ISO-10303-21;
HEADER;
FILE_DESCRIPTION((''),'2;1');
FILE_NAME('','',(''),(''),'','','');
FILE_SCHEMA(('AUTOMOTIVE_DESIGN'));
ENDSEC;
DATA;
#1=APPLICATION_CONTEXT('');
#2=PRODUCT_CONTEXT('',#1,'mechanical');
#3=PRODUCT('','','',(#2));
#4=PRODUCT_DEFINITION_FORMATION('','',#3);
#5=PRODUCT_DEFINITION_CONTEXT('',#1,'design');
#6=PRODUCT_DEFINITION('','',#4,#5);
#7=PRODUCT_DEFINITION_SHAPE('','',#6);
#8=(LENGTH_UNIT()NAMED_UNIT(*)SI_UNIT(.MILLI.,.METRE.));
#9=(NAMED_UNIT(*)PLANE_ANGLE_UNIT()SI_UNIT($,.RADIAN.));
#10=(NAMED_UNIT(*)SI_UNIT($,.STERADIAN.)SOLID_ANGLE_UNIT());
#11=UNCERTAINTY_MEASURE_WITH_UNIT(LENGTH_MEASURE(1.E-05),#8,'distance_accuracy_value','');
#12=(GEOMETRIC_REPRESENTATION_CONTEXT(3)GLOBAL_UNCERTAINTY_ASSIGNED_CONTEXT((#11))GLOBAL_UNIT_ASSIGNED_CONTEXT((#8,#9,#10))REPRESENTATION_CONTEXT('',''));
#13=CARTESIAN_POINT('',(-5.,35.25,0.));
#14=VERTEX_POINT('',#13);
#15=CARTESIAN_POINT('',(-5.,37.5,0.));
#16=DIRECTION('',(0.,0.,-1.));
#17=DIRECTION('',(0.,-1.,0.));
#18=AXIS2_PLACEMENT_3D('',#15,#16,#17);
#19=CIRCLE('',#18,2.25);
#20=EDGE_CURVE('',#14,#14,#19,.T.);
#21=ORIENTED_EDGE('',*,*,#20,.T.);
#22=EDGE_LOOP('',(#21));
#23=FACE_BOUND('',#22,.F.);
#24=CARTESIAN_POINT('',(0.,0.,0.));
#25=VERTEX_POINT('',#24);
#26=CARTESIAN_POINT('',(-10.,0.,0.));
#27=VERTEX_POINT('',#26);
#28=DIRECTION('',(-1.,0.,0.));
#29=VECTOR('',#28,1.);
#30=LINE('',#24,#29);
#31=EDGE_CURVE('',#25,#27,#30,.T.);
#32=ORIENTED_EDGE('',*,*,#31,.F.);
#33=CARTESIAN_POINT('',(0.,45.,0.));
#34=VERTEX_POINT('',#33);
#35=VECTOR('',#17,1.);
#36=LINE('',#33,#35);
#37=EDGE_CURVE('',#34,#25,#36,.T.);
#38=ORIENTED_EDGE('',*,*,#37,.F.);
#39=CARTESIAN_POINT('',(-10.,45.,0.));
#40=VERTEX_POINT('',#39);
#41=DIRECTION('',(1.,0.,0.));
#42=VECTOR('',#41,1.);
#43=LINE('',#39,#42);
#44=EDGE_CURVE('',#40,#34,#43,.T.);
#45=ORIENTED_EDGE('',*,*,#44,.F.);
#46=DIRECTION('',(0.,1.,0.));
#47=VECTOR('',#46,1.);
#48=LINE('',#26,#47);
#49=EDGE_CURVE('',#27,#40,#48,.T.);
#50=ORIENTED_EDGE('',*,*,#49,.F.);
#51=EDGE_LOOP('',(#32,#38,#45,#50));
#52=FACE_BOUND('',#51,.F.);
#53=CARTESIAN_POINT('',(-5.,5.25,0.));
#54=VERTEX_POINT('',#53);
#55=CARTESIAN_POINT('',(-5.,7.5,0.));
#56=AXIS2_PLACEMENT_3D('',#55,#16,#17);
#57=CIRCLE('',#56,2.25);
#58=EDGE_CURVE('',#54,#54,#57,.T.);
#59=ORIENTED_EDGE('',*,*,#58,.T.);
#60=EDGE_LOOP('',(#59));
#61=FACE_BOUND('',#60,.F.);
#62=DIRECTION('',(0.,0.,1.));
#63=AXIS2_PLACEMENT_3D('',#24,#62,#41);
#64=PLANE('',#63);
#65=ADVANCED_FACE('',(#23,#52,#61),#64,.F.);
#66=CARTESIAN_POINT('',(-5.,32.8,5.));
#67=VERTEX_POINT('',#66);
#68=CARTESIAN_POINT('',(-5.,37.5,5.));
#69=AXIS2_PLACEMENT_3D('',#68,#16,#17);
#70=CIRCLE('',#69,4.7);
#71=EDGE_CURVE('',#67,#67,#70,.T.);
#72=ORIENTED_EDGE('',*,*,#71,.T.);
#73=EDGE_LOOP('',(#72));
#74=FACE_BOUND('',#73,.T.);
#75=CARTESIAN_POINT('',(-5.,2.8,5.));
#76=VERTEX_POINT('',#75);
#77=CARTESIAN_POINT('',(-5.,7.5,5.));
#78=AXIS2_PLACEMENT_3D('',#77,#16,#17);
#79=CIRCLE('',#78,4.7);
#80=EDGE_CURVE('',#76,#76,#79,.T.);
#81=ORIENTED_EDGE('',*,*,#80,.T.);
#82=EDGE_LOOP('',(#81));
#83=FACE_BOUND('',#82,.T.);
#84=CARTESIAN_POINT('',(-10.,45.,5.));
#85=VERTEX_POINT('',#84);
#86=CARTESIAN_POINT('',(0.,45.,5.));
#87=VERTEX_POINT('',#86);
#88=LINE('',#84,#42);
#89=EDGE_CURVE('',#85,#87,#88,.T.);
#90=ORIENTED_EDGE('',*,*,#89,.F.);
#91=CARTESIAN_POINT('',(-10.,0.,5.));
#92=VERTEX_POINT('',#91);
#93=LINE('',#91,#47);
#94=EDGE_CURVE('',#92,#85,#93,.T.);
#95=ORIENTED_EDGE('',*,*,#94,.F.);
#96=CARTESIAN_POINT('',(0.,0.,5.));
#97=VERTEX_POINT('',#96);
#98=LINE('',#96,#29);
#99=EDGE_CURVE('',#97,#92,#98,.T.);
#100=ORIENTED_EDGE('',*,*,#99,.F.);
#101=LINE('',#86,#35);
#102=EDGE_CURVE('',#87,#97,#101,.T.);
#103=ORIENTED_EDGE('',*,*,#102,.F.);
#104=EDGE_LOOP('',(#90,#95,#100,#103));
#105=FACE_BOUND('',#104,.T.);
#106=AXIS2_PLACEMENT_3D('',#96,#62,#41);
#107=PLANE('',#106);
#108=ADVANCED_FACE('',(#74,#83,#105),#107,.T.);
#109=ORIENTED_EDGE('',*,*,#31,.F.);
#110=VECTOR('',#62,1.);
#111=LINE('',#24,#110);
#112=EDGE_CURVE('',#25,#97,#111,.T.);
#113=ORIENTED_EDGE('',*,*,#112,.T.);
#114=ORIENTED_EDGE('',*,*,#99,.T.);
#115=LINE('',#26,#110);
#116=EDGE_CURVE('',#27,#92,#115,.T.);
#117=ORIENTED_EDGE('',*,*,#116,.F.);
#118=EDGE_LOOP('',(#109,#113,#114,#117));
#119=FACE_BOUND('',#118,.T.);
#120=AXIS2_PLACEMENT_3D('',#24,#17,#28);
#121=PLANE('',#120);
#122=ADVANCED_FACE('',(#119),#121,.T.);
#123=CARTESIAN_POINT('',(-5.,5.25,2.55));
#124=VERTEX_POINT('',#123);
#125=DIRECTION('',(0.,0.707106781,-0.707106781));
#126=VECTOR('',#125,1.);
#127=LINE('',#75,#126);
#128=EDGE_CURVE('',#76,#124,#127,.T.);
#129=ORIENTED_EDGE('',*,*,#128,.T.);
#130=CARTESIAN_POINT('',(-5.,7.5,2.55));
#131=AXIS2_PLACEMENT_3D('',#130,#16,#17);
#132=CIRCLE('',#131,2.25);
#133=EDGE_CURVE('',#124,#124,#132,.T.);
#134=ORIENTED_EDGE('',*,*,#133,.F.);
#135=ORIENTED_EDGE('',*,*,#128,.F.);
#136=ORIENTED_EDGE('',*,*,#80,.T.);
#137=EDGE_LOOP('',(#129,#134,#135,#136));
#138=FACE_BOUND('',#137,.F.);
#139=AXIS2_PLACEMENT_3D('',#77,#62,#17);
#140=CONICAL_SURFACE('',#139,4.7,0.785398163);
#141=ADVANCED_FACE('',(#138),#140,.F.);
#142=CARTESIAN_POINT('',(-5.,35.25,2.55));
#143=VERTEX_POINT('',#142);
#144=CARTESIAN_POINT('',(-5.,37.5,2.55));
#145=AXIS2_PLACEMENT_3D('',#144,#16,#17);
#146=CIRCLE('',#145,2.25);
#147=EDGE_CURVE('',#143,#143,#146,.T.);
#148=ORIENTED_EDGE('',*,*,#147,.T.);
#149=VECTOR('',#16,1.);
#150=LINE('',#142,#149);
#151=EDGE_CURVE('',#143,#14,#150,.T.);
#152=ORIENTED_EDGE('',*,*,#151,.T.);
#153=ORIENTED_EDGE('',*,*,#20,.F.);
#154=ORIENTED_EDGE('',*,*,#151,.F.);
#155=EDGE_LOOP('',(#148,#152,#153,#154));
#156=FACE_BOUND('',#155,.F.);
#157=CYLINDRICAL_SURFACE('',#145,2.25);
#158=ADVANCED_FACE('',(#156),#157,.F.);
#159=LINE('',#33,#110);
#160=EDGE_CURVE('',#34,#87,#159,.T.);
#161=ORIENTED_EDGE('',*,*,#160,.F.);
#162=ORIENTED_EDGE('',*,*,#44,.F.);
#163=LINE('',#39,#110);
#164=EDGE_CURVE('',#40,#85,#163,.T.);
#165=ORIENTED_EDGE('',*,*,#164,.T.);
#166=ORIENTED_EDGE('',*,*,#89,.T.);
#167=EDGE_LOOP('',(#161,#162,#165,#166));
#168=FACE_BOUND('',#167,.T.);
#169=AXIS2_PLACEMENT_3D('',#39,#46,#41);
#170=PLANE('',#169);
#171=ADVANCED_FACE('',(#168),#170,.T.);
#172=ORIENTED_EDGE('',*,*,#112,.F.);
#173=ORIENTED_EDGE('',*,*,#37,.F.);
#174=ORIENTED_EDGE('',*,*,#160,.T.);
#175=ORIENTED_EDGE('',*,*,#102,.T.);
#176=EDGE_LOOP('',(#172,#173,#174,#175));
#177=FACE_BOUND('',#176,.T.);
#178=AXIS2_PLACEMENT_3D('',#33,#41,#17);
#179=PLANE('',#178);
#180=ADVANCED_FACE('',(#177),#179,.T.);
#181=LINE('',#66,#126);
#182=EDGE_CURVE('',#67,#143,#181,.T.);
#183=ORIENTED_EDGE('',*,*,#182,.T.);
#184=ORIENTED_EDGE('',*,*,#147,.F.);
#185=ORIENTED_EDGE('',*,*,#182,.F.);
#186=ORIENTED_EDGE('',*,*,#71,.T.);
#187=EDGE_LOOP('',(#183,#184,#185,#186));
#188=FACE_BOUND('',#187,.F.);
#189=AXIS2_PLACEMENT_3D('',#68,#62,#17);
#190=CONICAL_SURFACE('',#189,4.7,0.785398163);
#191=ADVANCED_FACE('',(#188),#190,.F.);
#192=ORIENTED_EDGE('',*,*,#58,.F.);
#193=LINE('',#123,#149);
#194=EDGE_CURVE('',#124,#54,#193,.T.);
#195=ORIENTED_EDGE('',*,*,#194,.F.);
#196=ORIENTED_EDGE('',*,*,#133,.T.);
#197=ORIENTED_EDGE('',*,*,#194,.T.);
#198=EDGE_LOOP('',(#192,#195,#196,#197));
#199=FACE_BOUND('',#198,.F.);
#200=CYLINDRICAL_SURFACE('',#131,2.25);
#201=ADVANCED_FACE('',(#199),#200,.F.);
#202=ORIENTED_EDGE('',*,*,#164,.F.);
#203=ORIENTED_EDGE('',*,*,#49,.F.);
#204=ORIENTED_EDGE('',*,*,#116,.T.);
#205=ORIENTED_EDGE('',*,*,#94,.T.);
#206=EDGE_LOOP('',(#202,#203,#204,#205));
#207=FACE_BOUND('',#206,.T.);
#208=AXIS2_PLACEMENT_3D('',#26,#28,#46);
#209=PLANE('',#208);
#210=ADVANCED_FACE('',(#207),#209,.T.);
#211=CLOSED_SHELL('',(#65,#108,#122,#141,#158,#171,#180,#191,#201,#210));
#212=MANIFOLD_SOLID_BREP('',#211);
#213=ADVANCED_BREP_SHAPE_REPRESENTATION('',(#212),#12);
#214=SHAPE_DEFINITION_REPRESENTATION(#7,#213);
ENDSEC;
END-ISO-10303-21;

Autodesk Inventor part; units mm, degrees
ref_plane "YZ Plane" through (0, 0, 0) normal (1, 0, 0) x (0, 1, 0)
ref_plane "XZ Plane" through (0, 0, 0) normal (0, 1, 0) x (-1, 0, 0)
ref_plane "XY Plane" through (0, 0, 0) normal (0, 0, 1) x (1, 0, 0)
sketch "Sketch1" plane through (0, 0, 0) normal (0, 0, 1) x (1, 0, 0)
  line L0 (0, 0) -> (-10, 0)
  line L1 (-10, 0) -> (-10, 45)
  line L2 (-10, 45) -> (0, 45)
  line L3 (0, 45) -> (0, 0)
  dimension "d0" = 10
  dimension "d1" = 45
extrude "Extrusion1" add sketch "Sketch1" along normal blind 5
sketch "Sketch2" plane through (0, 0, 5) normal (0, 0, 1) x (1, 0, 0)
  line L0 (0, 0) -> (0, 45) projected
  line L1 (-10, 45) -> (-10, 0) projected
  line L2 (0, 45) -> (-10, 45) projected
  line L3 (-10, 0) -> (0, 0) projected
  point P0 (-5, 37.5)
  point P1 (-5, 7.5)
  dimension "d4" = 5
  dimension "d5" = 5
  dimension "d6" = 7.5
  dimension "d7" = 7.5
  dimension "d8" = 30
hole "Hole1" at (-5, 37.5, 5) at (-5, 7.5, 5) direction (0, 0, -1) diameter 4.5 end through all countersink diameter 9.4 countersink angle 90 clearance for "Flat Head Machine Screw" size "M4" standard "Ansi Metric M Profile"
equation "\"d4\" = d5"
equation "\"d7\" = d6"
properties part number "Pancake_Side Piece Short 2" material "Wood (Birch)"
